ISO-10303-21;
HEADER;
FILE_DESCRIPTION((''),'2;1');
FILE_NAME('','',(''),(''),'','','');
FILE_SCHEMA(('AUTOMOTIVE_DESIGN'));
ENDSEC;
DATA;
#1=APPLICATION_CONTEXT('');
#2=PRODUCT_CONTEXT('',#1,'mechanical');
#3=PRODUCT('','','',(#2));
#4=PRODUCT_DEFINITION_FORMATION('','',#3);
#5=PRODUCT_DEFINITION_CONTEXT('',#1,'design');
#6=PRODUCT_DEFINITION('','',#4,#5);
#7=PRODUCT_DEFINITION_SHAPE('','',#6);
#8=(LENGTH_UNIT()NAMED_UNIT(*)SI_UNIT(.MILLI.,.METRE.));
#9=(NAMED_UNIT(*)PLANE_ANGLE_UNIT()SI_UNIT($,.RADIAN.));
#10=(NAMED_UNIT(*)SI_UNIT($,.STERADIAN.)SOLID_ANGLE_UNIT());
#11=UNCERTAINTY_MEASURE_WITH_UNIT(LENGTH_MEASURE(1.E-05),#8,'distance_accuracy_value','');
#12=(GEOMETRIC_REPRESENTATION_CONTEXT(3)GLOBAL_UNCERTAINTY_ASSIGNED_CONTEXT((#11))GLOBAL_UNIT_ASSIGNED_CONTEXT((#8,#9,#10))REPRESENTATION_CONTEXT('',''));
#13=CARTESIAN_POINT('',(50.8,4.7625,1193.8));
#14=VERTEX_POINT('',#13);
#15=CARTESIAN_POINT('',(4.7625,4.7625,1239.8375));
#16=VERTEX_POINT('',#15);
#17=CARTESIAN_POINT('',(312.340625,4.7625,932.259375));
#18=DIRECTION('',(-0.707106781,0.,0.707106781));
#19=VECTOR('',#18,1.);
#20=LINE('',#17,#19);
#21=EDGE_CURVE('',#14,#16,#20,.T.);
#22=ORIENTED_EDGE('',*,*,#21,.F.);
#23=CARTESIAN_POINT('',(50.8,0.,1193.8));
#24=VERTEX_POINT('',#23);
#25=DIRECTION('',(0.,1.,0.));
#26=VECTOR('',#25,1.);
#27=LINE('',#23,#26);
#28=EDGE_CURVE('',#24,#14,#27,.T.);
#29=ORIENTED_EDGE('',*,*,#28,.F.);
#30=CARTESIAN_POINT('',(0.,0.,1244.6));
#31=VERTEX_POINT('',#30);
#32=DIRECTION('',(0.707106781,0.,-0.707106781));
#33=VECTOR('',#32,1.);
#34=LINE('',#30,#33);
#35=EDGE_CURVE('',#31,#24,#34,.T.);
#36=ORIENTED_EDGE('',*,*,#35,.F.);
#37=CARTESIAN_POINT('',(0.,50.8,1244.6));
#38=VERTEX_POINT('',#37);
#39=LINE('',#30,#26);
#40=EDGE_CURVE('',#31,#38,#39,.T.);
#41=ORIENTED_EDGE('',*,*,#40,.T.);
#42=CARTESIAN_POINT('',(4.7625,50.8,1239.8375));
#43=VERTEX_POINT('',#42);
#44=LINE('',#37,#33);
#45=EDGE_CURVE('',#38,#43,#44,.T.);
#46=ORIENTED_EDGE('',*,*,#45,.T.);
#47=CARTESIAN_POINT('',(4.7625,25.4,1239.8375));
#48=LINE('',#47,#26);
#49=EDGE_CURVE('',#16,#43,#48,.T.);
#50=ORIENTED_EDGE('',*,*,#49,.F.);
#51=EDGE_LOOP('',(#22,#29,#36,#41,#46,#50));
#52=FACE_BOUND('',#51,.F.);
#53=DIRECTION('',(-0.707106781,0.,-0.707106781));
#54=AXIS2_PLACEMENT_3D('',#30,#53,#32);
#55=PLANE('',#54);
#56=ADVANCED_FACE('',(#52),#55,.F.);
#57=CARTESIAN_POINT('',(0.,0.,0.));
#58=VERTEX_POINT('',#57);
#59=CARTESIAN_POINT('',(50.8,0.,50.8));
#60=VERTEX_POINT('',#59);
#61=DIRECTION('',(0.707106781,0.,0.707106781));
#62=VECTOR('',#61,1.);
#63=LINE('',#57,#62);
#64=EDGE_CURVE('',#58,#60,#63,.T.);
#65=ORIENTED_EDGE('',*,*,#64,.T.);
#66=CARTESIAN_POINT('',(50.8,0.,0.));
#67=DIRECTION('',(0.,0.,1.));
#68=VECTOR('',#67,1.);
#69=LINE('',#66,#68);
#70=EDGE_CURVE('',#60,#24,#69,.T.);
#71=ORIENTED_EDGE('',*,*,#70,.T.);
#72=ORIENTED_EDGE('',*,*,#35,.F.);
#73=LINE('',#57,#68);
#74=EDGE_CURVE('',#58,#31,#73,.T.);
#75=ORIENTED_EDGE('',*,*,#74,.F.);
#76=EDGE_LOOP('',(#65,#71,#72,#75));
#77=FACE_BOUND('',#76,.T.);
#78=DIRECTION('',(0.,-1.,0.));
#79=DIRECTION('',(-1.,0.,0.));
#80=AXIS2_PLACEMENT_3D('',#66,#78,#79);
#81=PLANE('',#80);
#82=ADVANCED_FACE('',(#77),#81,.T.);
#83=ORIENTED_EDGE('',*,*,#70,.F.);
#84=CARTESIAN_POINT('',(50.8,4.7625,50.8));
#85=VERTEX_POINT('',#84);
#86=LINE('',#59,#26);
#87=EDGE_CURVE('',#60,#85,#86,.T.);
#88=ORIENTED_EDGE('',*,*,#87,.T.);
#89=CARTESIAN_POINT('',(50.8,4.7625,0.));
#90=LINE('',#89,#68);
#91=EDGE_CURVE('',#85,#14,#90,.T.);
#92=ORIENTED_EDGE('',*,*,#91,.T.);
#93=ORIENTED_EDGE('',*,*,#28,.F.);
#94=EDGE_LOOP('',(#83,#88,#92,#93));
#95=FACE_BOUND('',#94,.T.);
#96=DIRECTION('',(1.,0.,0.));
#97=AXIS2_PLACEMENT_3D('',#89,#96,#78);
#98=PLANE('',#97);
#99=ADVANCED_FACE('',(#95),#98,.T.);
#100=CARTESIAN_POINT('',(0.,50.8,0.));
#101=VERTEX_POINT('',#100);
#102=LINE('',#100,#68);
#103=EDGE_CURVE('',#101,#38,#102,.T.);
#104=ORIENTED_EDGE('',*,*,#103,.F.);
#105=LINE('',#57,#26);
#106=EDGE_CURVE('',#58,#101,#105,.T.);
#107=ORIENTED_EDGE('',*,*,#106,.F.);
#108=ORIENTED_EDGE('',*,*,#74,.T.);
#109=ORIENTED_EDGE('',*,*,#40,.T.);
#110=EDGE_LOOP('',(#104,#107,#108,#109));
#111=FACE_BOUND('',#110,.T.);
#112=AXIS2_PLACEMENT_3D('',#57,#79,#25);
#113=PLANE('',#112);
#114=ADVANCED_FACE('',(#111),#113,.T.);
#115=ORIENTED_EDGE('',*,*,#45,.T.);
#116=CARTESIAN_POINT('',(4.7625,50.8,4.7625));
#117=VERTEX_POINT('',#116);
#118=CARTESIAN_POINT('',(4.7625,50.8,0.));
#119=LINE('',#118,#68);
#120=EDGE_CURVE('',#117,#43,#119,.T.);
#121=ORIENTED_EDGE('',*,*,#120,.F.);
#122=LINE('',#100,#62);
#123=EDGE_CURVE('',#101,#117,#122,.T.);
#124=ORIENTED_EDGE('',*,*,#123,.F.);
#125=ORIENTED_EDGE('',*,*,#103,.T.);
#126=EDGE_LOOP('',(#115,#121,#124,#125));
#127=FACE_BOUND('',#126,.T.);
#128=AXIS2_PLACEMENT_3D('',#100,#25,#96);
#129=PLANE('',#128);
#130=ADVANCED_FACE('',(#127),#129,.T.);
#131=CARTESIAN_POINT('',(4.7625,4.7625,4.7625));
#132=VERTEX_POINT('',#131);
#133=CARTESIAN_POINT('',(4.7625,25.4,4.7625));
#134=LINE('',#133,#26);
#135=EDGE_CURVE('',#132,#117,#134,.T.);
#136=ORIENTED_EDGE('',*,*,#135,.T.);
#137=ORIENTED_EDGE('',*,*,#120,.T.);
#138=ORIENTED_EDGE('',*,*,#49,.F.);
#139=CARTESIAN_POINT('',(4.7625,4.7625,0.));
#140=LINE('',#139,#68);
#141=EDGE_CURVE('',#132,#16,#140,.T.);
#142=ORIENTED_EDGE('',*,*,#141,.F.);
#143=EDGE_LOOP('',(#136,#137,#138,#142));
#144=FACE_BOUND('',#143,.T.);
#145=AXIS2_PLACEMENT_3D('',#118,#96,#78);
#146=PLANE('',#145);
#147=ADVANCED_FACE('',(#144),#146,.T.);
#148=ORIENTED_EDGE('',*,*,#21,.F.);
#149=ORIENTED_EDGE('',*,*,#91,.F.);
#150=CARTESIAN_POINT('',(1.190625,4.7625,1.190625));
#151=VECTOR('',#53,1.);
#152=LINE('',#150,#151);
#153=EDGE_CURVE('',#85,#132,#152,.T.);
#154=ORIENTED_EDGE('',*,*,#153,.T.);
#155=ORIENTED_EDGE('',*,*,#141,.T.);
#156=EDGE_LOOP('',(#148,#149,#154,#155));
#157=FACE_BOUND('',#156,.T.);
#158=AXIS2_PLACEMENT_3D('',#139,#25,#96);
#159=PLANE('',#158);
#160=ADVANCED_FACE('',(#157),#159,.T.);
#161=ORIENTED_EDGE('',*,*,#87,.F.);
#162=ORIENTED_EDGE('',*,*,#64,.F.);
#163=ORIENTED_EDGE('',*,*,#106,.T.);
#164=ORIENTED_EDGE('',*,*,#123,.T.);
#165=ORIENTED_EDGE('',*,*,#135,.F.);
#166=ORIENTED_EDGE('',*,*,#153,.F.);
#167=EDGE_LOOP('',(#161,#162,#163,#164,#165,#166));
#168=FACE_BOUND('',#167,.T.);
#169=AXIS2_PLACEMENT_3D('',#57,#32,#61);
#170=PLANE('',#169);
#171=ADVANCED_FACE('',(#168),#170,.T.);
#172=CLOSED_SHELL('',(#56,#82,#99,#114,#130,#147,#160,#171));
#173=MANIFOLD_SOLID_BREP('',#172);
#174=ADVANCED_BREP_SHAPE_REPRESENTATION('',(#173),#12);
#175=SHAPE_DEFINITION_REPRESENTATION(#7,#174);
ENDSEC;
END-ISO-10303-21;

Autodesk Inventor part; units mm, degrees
ref_plane "YZ Plane" through (0, 0, 0) normal (1, 0, 0) x (0, 1, 0)
ref_plane "XZ Plane" through (0, 0, 0) normal (0, 1, 0) x (-1, 0, 0)
ref_plane "XY Plane" through (0, 0, 0) normal (0, 0, 1) x (1, 0, 0)
sketch "Sketch1" plane through (0, 0, 0) normal (0, 0, 1) x (1, 0, 0)
  line L0 (0, 0) -> (0, 50.8)
  line L1 (0, 50.8) -> (4.7625, 50.8)
  line L2 (4.7625, 50.8) -> (4.7625, 4.7625)
  line L3 (4.7625, 4.7625) -> (50.8, 4.7625)
  line L4 (50.8, 4.7625) -> (50.8, 0)
  line L5 (50.8, 0) -> (0, 0)
  dimension "d0" = 4.7625
  dimension "d1" = 50.8
  dimension "d2" = 4.7625
  dimension "d3" = 50.8
extrude "Extrusion1" add sketch "Sketch1" along normal blind 1244.6
sketch "Sketch5" plane through (0, 0, 0) normal (0, -1, 0) x (1, 0, 0)
  line L0 (50.8, 1244.6) -> (0, 1244.6) projected
  line L1 (50.8, 0) -> (0, 0) projected
  line L2 (50.8, 0) -> (50.8, 1244.6) projected
  line L3 (0, 1244.6) -> (50.8, 1193.8)
  line L4 (0, 0) -> (50.8, 50.8)
  dimension "d16" = 45
  dimension "d17" = 45
extrude "Extrusion5" cut sketch "Sketch5" against normal blind 50.8 contours L2 L3 L0
sketch "Sketch6" plane through (0, 0, 0) normal (0, -1, 0) x (1, 0, 0)
  line L0 (0, 0) -> (0, 1244.6) projected
  line L1 (50.8, 0) -> (0, 0) projected
  line L2 (50.8, 0) -> (50.8, 1193.8) projected
  line L3 (0, 0) -> (50.8, 50.8)
  dimension "d20" = 45
extrude "Extrusion6" cut sketch "Sketch6" against normal blind 50.8
properties part number "BOXC_L49"
